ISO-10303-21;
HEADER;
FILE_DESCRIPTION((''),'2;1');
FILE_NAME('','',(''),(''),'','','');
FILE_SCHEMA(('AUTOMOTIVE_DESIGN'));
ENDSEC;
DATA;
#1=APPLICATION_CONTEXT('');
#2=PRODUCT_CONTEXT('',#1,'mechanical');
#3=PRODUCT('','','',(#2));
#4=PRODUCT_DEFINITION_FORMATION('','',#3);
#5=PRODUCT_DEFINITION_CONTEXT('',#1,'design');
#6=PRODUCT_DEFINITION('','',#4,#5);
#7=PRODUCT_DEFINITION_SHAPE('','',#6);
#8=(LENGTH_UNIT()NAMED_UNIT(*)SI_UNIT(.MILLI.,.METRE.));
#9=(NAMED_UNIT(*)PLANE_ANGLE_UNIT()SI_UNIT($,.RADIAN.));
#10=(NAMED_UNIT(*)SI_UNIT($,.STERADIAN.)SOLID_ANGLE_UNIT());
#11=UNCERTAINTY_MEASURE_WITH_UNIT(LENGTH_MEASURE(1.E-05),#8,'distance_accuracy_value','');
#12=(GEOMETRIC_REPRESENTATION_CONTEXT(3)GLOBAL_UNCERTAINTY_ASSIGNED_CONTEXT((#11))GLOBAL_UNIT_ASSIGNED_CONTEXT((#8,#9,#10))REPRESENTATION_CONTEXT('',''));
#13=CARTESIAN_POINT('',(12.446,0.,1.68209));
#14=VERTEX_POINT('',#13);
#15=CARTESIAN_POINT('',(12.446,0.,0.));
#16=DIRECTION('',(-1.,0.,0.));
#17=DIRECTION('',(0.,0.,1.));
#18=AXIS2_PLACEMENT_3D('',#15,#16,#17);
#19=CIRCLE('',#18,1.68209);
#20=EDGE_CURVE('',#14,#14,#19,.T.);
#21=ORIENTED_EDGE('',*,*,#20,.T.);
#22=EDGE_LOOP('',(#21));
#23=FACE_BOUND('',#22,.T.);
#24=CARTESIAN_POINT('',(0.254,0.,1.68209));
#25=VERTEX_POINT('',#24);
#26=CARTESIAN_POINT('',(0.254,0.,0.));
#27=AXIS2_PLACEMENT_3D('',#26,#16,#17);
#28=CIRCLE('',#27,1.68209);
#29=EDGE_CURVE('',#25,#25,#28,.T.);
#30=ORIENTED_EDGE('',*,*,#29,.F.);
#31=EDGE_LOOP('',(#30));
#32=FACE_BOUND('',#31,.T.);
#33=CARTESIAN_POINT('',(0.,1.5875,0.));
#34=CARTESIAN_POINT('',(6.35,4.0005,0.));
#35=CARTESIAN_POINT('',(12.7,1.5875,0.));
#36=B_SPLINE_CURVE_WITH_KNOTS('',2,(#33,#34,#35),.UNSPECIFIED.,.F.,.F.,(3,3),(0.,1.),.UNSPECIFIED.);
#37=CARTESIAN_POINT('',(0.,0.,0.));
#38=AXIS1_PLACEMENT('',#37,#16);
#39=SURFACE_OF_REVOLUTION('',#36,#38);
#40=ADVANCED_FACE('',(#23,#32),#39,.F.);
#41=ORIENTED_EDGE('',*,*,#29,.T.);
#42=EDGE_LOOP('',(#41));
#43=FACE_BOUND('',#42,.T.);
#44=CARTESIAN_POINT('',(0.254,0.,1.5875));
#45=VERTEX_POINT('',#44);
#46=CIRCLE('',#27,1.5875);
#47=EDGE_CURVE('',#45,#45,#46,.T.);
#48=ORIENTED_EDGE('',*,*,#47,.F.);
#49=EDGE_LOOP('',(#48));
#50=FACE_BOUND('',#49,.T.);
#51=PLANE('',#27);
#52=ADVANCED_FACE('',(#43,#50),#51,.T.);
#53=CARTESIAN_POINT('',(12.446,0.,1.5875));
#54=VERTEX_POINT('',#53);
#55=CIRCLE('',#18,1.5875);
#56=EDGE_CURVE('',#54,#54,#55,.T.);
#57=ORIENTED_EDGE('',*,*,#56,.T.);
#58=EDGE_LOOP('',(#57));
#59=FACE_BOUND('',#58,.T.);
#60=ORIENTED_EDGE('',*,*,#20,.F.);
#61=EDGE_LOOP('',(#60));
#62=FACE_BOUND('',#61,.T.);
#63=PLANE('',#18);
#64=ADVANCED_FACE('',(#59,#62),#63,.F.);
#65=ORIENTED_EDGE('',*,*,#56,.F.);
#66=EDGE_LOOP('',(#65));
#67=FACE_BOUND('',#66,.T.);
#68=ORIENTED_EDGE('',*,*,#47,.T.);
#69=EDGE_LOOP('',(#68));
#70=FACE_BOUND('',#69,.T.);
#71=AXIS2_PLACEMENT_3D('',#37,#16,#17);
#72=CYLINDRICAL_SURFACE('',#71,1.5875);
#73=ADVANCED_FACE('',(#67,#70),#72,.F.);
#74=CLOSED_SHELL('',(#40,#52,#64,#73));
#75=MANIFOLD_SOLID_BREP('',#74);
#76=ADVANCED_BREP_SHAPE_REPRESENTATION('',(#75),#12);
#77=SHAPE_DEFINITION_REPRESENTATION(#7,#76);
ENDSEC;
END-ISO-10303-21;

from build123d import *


with BuildPart() as part:
    # Sketch1 → Revolve1 (revolve)
    with BuildSketch(Plane.XY, mode=Mode.PRIVATE) as revolve1_sk:
        with BuildLine():
            Line((0.254, 1.6820896), (0.254, 1.5875))
            Line((0.254, 1.5875), (12.446, 1.5875))
            Line((12.446, 1.5875), (12.446, 1.6820896))
            add(Edge.make_bspline(
                [(12.446, 1.6820896), (6.35, 3.9059104), (0.254, 1.6820896)],
                knots=[0.5, 0.5, 0.5, 1.46, 1.46, 1.46], degree=2))
        make_face()
    revolve(revolve1_sk.sketch.rotate(Axis((0, 0, 0), (1, 0, 0)), 90), axis=Axis((0, 0, 0), (1, 0, 0)))


solid = part.part
